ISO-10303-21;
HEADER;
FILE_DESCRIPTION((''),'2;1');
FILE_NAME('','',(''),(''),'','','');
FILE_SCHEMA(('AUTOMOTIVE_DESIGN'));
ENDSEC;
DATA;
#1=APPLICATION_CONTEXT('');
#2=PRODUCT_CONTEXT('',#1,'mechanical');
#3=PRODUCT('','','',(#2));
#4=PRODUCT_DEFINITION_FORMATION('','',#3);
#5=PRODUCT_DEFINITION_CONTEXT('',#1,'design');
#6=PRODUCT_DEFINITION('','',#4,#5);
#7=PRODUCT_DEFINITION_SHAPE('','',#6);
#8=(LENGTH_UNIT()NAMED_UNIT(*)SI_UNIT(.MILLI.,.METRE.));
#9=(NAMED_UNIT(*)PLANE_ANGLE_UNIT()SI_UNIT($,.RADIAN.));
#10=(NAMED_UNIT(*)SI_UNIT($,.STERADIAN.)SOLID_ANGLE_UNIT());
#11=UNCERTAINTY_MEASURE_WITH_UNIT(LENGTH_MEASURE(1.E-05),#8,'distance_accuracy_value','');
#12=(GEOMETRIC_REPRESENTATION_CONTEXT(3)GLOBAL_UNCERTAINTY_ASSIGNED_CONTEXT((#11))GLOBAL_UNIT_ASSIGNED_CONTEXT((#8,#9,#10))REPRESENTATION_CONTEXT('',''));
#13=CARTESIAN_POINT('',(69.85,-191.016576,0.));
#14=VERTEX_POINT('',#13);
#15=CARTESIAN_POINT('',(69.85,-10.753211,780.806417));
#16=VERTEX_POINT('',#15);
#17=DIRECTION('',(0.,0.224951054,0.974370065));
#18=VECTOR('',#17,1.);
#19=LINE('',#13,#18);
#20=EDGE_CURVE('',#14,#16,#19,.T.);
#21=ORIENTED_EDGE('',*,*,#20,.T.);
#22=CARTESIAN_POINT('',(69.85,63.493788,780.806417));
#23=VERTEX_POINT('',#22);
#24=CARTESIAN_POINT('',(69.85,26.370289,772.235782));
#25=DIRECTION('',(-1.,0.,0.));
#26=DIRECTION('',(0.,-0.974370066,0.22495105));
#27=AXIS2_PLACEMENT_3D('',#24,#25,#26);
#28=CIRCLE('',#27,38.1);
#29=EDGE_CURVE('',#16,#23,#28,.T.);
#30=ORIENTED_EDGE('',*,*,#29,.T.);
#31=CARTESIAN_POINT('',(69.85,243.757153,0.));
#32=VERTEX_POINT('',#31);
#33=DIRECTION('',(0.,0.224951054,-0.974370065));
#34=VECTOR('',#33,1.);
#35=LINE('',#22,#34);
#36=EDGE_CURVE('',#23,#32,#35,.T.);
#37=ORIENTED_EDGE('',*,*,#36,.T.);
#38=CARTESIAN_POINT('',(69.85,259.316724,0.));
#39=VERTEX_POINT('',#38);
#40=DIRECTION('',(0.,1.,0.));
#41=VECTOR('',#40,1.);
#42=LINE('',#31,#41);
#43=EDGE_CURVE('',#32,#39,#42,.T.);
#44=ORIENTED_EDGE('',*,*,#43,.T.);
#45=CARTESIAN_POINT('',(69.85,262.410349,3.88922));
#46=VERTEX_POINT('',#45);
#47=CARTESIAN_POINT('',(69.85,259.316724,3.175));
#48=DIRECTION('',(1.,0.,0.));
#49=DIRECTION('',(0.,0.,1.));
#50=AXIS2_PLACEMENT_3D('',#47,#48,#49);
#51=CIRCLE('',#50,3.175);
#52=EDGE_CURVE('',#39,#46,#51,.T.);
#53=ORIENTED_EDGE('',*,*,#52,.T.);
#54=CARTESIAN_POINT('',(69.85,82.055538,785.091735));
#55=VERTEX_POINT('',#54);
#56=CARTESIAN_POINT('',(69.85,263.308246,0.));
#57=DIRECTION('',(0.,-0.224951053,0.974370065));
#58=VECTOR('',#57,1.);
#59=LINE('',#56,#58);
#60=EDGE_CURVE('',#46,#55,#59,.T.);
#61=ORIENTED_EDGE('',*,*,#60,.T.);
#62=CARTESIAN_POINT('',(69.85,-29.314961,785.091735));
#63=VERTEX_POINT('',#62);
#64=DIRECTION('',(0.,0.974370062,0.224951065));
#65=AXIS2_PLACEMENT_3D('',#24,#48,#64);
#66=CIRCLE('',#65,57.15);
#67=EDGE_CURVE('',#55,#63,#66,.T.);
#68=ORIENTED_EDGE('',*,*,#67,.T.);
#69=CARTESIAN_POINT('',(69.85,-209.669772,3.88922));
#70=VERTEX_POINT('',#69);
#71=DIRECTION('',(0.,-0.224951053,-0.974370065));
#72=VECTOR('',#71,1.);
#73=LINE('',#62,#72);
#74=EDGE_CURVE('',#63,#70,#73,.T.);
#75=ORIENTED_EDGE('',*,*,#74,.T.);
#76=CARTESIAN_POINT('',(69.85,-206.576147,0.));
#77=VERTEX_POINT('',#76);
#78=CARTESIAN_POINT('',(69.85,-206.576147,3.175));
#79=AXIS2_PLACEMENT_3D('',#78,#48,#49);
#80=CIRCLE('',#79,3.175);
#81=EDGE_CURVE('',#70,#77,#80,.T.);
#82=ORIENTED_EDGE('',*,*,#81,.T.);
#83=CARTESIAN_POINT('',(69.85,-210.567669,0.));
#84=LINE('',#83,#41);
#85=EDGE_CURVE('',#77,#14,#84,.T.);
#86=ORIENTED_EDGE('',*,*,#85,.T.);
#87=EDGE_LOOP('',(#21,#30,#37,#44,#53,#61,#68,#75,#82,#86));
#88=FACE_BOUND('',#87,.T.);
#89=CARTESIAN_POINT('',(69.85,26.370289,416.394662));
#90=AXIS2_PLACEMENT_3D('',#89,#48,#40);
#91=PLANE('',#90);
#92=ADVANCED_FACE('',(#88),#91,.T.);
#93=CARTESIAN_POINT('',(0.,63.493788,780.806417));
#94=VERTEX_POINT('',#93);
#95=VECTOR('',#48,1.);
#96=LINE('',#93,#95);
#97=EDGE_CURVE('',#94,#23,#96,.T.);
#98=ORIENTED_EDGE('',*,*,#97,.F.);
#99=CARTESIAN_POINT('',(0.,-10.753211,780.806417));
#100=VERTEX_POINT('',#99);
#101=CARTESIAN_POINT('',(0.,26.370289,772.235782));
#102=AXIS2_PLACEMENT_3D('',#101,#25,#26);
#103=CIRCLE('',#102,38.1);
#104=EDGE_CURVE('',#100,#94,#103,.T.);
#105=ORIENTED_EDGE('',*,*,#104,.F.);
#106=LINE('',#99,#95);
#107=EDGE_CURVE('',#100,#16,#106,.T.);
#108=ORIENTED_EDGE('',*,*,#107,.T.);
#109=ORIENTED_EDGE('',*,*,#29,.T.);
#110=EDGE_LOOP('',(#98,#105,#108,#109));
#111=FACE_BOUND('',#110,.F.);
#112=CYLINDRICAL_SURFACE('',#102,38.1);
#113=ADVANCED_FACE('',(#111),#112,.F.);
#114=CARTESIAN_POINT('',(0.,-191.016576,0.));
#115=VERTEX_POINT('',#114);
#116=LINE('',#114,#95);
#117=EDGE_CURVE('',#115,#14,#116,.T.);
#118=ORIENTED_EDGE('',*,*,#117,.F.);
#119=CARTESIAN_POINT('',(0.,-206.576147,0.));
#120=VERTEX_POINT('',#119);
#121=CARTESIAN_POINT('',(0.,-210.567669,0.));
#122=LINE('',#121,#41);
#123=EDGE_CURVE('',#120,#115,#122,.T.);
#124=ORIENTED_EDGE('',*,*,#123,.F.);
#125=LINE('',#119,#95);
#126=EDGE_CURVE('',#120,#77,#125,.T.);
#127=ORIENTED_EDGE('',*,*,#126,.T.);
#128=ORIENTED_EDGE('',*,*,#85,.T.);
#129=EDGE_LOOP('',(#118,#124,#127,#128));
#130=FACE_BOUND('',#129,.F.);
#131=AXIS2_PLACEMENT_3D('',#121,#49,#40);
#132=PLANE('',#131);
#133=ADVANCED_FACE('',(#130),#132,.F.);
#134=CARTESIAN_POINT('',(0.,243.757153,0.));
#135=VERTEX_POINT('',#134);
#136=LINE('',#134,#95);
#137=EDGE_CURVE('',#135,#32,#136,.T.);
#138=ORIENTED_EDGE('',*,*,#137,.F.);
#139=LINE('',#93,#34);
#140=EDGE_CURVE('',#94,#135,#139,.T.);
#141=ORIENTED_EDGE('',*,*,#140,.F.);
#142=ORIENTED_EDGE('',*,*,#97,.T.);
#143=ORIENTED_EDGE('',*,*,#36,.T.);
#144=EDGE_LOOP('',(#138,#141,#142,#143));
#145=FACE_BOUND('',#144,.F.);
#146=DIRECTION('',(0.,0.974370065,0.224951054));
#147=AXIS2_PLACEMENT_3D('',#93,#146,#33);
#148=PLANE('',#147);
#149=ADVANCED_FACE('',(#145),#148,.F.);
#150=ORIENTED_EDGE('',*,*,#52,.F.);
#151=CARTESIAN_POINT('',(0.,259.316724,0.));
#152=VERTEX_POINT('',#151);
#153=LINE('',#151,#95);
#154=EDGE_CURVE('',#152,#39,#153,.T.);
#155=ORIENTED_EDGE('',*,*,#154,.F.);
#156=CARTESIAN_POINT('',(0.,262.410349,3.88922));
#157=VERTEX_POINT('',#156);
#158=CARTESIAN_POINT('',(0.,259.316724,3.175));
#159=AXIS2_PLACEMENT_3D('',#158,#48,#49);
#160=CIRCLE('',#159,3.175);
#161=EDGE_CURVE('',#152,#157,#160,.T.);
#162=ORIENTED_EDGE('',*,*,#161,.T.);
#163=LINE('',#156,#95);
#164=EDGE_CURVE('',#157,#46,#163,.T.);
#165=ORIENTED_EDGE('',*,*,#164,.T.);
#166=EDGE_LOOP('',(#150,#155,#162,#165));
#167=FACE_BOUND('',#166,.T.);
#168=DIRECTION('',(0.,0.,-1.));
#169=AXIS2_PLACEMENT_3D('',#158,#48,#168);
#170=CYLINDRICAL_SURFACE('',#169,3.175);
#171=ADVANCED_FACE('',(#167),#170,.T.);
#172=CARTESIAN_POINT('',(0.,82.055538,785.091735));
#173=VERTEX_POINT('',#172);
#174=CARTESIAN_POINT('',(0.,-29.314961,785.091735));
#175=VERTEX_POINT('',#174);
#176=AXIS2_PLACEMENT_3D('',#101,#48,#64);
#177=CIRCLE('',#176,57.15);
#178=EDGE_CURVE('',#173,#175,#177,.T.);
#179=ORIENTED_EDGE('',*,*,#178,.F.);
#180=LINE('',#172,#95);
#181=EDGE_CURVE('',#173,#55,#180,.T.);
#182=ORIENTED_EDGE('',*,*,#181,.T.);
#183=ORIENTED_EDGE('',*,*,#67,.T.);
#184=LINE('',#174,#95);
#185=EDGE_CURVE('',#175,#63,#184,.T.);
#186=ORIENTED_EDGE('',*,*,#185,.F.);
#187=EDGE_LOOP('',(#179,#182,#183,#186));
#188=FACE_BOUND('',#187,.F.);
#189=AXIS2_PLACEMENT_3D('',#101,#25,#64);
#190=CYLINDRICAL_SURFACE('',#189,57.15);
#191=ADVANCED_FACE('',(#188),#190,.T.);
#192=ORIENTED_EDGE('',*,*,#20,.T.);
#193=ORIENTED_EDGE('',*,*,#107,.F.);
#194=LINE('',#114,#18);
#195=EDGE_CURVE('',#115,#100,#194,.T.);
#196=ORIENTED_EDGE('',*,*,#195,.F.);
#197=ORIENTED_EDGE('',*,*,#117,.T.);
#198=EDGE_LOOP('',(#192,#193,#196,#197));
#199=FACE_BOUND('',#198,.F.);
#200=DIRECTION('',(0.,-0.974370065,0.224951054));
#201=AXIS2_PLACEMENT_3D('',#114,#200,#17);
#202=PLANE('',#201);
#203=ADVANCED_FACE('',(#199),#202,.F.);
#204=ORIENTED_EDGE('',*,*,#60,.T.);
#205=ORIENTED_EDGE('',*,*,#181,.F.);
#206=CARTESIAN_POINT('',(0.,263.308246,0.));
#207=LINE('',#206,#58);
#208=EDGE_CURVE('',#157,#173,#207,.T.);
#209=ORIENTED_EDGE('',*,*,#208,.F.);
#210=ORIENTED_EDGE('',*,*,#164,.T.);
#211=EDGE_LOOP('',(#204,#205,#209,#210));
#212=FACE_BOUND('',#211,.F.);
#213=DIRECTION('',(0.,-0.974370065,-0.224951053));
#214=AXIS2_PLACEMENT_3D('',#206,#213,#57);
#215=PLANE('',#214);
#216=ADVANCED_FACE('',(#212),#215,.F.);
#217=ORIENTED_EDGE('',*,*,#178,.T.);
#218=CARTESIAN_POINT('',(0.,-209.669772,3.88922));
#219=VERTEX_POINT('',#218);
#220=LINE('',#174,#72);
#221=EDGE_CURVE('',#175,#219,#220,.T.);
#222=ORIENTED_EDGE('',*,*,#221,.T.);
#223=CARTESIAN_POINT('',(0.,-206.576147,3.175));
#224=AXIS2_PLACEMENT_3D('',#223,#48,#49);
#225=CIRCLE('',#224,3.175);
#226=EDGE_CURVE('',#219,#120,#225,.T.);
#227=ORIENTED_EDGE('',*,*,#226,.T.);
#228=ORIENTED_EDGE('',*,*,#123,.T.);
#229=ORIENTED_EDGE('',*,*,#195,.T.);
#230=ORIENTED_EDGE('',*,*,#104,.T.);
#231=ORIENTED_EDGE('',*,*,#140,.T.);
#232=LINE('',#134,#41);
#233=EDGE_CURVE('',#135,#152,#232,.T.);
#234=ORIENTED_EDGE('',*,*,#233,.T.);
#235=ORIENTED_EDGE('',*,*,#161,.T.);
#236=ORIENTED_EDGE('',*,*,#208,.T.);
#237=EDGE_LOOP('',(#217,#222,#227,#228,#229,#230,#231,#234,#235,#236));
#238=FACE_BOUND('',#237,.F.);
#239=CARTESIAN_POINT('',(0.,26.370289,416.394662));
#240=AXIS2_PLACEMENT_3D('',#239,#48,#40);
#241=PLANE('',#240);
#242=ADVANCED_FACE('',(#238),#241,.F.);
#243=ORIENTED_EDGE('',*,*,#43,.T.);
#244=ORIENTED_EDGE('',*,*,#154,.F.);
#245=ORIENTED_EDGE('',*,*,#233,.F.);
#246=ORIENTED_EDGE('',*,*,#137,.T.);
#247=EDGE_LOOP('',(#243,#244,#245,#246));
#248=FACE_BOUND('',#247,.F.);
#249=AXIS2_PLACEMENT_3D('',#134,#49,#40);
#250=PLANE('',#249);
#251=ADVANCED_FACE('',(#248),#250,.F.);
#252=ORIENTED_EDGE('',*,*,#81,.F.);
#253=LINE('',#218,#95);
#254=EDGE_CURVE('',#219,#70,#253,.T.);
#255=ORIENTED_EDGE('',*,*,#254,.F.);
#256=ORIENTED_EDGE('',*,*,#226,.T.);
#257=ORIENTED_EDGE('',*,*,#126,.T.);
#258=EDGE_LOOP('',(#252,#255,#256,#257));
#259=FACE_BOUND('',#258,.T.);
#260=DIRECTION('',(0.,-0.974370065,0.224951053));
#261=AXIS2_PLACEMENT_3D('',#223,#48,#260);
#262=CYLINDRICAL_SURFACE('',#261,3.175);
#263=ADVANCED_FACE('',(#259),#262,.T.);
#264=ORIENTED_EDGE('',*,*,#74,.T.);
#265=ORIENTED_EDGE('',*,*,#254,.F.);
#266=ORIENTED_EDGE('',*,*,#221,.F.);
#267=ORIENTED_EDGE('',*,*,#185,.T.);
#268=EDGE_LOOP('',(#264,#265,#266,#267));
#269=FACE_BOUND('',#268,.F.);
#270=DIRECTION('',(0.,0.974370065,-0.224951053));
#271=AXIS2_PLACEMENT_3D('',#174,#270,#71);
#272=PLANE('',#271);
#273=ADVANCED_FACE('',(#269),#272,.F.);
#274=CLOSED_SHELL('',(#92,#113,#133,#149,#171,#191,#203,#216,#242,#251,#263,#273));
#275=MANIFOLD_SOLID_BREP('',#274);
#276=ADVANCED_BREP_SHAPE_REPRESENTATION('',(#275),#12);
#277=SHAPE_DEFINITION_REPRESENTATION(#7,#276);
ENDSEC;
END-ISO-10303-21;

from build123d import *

# Parameters (mm, degrees)
F1_DEPTH = 69.85
F2_R     = 3.175


with BuildPart() as f1:
    # F0 (on Right) → F1 (new body)
    with BuildSketch(Plane.YZ):
        with BuildLine():
            Line((-29.314961, 785.091735), (-210.567669, 0))
            Line((-210.567669, 0), (-191.016576, 0))
            Line((-191.016576, 0), (-10.753211, 780.806417))
            ThreePointArc((-10.753211, 780.806417), (26.370288, 810.335782), (63.493788, 780.806417))
            Line((63.493788, 780.806417), (243.757153, 0))
            Line((243.757153, 0), (263.308246, 0))
            Line((263.308246, 0), (82.055538, 785.091735))
            ThreePointArc((82.055538, 785.091735), (26.370288, 829.385782), (-29.314961, 785.091735))
        make_face()
    extrude(amount=F1_DEPTH)

    # F2
    f2_edges = [f1.edges().sort_by_distance(p)[0] for p in [
        (34.925, -210.567669, 0),
        (34.925, 263.308246, 0),
    ]]
    fillet(f2_edges, radius=F2_R)


solid = f1.part
